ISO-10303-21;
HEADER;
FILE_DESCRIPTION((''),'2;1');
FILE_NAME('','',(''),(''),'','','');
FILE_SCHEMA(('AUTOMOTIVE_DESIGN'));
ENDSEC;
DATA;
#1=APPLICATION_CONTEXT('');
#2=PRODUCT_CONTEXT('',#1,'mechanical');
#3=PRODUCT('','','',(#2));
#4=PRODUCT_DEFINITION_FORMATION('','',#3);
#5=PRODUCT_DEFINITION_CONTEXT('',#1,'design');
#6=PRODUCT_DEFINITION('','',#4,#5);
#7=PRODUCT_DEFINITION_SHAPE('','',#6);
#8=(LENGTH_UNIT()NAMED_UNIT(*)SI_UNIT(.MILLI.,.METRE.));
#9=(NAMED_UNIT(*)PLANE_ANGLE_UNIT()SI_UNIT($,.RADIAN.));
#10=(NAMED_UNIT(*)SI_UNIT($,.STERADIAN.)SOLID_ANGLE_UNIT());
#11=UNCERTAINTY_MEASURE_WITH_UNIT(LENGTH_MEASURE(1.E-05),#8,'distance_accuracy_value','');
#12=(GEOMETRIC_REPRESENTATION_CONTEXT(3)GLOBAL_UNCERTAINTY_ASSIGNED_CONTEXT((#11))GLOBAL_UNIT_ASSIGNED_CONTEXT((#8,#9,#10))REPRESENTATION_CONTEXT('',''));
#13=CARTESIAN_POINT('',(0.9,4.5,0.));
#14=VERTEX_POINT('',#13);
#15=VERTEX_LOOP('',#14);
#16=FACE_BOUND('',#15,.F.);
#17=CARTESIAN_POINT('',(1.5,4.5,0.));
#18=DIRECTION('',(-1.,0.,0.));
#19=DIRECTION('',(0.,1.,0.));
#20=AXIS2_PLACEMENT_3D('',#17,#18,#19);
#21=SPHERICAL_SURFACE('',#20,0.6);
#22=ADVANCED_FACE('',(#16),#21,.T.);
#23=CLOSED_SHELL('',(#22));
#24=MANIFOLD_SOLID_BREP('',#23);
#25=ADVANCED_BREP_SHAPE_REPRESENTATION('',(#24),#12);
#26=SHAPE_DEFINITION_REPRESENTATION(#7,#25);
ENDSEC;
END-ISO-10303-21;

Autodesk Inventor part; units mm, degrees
ref_plane "YZ Plane" through (0, 0, 0) normal (1, 0, 0) x (0, 1, 0)
ref_plane "XZ Plane" through (0, 0, 0) normal (0, 1, 0) x (-1, 0, 0)
ref_plane "XY Plane" through (0, 0, 0) normal (0, 0, 1) x (1, 0, 0)
sketch "Sketch_6" plane through (0, 0, 0) normal (0, 0, 1) x (1, 0, 0)
  line L0 (2.1, 4.5) -> (0.9, 4.5)
  arc A0 (2.1, 4.5) -> (0.9, 4.5) centre (1.5, 4.5) ccw
  line L1 (2.1, 4.5) -> (0.9, 4.5)
  dimension "d0" = 360
revolve "Revolution1" add sketch "Sketch_6" angle 360 about axis through (2.1, 4.5, 0) along (1, 0, 0)
properties part number "W 627/7-2ZS_PART3"
